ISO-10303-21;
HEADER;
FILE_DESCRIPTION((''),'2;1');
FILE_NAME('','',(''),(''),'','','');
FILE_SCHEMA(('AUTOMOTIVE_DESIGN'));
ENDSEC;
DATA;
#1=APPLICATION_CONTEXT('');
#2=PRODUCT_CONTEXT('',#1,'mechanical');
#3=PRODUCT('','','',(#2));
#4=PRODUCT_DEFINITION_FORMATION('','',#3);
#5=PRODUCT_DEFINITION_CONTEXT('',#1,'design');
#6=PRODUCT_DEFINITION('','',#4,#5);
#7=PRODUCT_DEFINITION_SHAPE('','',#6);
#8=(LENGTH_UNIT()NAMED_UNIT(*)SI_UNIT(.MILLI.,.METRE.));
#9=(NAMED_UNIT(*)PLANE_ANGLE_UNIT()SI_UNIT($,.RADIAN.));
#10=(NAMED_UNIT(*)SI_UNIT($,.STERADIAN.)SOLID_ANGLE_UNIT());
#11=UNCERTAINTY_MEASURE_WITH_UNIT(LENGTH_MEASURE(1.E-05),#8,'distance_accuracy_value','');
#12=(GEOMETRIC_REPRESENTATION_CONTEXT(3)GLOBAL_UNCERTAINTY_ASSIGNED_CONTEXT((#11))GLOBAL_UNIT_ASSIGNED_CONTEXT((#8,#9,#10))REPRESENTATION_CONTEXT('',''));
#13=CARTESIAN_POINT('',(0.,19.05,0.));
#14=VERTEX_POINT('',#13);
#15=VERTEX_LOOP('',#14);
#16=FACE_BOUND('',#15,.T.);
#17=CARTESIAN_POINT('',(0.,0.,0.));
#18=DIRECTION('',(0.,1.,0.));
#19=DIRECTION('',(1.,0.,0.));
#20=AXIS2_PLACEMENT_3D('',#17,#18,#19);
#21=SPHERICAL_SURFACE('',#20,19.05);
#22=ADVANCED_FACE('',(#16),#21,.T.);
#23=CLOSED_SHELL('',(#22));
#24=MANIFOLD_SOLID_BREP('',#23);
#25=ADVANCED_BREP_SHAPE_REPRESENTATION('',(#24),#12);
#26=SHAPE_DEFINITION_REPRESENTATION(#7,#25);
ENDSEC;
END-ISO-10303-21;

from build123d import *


with BuildPart() as part:
    # Sketch1 → Revolve5 (revolve)
    with BuildSketch(Plane.XY):
        with BuildLine():
            Line((0, -19.05), (0, 19.05))
            ThreePointArc((0, 19.05), (-19.05, 0), (0, -19.05))
        make_face()
    revolve(axis=Axis((0, 41.437879475, 0), (0, -1, 0)))


solid = part.part
